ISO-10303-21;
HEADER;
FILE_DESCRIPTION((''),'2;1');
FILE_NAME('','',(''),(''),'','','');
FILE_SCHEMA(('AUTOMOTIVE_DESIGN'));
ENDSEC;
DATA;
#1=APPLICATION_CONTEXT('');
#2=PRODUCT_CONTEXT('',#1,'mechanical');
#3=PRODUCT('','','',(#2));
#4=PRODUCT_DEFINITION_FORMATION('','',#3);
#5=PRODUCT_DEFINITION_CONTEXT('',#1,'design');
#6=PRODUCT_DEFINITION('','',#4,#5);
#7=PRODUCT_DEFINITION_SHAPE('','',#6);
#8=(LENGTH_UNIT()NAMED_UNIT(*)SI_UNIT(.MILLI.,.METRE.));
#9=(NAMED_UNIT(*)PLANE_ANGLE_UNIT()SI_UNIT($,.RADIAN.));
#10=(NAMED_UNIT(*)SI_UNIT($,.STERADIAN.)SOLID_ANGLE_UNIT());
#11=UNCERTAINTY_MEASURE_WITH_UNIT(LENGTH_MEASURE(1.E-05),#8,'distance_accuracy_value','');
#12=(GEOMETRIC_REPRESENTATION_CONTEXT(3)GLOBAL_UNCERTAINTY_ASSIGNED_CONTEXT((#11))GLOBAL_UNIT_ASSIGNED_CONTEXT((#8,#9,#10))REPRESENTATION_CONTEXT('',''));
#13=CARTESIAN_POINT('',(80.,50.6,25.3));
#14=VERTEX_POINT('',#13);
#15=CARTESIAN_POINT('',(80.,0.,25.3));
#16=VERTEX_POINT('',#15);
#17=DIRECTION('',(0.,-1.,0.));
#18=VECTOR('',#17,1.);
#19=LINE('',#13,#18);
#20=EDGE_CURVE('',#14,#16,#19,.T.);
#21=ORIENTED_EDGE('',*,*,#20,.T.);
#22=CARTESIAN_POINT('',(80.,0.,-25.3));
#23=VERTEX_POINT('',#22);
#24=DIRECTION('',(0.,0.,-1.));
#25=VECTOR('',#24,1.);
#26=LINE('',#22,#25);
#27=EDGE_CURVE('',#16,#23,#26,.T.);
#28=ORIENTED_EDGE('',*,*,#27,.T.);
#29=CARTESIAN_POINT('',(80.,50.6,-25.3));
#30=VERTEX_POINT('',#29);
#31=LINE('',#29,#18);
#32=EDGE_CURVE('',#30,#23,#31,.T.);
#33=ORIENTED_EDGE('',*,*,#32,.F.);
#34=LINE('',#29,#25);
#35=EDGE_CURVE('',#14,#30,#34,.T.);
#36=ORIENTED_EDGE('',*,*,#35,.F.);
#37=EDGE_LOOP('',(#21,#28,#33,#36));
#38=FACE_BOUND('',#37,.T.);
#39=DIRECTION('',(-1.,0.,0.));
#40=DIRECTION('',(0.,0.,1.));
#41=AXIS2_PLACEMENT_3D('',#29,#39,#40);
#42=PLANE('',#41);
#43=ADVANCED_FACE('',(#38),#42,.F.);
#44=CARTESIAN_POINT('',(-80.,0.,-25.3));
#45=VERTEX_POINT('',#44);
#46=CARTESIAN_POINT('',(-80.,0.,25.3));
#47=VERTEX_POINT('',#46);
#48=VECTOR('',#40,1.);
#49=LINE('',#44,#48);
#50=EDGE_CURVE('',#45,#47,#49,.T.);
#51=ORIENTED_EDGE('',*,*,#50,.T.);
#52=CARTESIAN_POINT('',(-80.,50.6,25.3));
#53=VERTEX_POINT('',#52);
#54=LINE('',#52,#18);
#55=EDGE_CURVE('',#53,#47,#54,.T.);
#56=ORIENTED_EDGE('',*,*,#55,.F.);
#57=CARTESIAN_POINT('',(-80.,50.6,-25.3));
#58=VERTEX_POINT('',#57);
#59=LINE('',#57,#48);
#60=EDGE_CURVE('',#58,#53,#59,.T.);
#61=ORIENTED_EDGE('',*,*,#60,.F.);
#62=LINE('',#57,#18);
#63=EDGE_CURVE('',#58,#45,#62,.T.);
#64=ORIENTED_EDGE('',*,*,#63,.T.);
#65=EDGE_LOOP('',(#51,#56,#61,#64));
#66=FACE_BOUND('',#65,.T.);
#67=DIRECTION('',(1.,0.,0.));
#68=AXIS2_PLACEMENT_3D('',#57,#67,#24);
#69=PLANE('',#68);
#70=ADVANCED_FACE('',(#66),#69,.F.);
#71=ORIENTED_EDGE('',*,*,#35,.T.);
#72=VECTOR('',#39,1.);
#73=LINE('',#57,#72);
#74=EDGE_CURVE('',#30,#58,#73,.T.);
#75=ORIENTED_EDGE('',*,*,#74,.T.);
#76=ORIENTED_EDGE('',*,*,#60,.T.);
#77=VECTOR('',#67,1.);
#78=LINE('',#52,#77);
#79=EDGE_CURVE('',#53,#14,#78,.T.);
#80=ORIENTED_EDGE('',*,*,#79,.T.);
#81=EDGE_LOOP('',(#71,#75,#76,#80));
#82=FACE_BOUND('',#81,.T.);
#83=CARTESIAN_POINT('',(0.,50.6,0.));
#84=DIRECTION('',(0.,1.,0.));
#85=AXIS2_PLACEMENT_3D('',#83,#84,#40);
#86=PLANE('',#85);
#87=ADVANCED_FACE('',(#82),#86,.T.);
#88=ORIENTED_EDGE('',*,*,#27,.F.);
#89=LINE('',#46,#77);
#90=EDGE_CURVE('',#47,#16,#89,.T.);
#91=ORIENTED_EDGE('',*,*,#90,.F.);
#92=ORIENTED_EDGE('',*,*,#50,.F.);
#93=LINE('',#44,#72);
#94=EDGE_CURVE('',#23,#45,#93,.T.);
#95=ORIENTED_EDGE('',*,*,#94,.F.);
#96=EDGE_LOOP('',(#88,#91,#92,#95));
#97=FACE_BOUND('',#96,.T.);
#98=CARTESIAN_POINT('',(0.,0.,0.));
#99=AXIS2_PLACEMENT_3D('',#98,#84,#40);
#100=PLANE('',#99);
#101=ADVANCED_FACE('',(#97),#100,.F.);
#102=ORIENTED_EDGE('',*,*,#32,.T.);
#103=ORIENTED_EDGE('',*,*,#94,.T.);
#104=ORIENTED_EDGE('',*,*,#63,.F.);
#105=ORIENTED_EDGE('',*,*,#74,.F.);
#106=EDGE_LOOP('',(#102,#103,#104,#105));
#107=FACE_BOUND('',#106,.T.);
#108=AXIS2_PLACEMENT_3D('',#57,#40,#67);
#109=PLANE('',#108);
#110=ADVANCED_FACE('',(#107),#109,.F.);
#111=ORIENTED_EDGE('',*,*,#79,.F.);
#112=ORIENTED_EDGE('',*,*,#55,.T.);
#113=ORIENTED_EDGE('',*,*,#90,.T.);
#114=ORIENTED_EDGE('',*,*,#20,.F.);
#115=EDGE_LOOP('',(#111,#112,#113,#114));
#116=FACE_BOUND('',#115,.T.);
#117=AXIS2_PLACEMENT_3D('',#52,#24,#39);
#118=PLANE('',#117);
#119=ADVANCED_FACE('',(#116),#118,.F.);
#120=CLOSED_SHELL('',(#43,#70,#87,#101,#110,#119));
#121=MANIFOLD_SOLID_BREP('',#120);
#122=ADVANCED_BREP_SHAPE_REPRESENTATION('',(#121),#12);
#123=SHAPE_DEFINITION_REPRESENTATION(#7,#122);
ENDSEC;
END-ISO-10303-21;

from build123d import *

# Parameters (mm, degrees)
SCHIZZO1_W                   = 160
SCHIZZO1_H                   = 50.6
ESTRUSIONE_ESTRUSIONE1_DEPTH = 50.6


with BuildPart() as part:
    # Schizzo1 → Estrusione-Estrusione1 (new body)
    with BuildSketch(Plane(origin=(0, 0, 0), x_dir=(1, 0, 0), z_dir=(0, 1, 0))):
        Rectangle(SCHIZZO1_W, SCHIZZO1_H)
    extrude(amount=ESTRUSIONE_ESTRUSIONE1_DEPTH)


solid = part.part
